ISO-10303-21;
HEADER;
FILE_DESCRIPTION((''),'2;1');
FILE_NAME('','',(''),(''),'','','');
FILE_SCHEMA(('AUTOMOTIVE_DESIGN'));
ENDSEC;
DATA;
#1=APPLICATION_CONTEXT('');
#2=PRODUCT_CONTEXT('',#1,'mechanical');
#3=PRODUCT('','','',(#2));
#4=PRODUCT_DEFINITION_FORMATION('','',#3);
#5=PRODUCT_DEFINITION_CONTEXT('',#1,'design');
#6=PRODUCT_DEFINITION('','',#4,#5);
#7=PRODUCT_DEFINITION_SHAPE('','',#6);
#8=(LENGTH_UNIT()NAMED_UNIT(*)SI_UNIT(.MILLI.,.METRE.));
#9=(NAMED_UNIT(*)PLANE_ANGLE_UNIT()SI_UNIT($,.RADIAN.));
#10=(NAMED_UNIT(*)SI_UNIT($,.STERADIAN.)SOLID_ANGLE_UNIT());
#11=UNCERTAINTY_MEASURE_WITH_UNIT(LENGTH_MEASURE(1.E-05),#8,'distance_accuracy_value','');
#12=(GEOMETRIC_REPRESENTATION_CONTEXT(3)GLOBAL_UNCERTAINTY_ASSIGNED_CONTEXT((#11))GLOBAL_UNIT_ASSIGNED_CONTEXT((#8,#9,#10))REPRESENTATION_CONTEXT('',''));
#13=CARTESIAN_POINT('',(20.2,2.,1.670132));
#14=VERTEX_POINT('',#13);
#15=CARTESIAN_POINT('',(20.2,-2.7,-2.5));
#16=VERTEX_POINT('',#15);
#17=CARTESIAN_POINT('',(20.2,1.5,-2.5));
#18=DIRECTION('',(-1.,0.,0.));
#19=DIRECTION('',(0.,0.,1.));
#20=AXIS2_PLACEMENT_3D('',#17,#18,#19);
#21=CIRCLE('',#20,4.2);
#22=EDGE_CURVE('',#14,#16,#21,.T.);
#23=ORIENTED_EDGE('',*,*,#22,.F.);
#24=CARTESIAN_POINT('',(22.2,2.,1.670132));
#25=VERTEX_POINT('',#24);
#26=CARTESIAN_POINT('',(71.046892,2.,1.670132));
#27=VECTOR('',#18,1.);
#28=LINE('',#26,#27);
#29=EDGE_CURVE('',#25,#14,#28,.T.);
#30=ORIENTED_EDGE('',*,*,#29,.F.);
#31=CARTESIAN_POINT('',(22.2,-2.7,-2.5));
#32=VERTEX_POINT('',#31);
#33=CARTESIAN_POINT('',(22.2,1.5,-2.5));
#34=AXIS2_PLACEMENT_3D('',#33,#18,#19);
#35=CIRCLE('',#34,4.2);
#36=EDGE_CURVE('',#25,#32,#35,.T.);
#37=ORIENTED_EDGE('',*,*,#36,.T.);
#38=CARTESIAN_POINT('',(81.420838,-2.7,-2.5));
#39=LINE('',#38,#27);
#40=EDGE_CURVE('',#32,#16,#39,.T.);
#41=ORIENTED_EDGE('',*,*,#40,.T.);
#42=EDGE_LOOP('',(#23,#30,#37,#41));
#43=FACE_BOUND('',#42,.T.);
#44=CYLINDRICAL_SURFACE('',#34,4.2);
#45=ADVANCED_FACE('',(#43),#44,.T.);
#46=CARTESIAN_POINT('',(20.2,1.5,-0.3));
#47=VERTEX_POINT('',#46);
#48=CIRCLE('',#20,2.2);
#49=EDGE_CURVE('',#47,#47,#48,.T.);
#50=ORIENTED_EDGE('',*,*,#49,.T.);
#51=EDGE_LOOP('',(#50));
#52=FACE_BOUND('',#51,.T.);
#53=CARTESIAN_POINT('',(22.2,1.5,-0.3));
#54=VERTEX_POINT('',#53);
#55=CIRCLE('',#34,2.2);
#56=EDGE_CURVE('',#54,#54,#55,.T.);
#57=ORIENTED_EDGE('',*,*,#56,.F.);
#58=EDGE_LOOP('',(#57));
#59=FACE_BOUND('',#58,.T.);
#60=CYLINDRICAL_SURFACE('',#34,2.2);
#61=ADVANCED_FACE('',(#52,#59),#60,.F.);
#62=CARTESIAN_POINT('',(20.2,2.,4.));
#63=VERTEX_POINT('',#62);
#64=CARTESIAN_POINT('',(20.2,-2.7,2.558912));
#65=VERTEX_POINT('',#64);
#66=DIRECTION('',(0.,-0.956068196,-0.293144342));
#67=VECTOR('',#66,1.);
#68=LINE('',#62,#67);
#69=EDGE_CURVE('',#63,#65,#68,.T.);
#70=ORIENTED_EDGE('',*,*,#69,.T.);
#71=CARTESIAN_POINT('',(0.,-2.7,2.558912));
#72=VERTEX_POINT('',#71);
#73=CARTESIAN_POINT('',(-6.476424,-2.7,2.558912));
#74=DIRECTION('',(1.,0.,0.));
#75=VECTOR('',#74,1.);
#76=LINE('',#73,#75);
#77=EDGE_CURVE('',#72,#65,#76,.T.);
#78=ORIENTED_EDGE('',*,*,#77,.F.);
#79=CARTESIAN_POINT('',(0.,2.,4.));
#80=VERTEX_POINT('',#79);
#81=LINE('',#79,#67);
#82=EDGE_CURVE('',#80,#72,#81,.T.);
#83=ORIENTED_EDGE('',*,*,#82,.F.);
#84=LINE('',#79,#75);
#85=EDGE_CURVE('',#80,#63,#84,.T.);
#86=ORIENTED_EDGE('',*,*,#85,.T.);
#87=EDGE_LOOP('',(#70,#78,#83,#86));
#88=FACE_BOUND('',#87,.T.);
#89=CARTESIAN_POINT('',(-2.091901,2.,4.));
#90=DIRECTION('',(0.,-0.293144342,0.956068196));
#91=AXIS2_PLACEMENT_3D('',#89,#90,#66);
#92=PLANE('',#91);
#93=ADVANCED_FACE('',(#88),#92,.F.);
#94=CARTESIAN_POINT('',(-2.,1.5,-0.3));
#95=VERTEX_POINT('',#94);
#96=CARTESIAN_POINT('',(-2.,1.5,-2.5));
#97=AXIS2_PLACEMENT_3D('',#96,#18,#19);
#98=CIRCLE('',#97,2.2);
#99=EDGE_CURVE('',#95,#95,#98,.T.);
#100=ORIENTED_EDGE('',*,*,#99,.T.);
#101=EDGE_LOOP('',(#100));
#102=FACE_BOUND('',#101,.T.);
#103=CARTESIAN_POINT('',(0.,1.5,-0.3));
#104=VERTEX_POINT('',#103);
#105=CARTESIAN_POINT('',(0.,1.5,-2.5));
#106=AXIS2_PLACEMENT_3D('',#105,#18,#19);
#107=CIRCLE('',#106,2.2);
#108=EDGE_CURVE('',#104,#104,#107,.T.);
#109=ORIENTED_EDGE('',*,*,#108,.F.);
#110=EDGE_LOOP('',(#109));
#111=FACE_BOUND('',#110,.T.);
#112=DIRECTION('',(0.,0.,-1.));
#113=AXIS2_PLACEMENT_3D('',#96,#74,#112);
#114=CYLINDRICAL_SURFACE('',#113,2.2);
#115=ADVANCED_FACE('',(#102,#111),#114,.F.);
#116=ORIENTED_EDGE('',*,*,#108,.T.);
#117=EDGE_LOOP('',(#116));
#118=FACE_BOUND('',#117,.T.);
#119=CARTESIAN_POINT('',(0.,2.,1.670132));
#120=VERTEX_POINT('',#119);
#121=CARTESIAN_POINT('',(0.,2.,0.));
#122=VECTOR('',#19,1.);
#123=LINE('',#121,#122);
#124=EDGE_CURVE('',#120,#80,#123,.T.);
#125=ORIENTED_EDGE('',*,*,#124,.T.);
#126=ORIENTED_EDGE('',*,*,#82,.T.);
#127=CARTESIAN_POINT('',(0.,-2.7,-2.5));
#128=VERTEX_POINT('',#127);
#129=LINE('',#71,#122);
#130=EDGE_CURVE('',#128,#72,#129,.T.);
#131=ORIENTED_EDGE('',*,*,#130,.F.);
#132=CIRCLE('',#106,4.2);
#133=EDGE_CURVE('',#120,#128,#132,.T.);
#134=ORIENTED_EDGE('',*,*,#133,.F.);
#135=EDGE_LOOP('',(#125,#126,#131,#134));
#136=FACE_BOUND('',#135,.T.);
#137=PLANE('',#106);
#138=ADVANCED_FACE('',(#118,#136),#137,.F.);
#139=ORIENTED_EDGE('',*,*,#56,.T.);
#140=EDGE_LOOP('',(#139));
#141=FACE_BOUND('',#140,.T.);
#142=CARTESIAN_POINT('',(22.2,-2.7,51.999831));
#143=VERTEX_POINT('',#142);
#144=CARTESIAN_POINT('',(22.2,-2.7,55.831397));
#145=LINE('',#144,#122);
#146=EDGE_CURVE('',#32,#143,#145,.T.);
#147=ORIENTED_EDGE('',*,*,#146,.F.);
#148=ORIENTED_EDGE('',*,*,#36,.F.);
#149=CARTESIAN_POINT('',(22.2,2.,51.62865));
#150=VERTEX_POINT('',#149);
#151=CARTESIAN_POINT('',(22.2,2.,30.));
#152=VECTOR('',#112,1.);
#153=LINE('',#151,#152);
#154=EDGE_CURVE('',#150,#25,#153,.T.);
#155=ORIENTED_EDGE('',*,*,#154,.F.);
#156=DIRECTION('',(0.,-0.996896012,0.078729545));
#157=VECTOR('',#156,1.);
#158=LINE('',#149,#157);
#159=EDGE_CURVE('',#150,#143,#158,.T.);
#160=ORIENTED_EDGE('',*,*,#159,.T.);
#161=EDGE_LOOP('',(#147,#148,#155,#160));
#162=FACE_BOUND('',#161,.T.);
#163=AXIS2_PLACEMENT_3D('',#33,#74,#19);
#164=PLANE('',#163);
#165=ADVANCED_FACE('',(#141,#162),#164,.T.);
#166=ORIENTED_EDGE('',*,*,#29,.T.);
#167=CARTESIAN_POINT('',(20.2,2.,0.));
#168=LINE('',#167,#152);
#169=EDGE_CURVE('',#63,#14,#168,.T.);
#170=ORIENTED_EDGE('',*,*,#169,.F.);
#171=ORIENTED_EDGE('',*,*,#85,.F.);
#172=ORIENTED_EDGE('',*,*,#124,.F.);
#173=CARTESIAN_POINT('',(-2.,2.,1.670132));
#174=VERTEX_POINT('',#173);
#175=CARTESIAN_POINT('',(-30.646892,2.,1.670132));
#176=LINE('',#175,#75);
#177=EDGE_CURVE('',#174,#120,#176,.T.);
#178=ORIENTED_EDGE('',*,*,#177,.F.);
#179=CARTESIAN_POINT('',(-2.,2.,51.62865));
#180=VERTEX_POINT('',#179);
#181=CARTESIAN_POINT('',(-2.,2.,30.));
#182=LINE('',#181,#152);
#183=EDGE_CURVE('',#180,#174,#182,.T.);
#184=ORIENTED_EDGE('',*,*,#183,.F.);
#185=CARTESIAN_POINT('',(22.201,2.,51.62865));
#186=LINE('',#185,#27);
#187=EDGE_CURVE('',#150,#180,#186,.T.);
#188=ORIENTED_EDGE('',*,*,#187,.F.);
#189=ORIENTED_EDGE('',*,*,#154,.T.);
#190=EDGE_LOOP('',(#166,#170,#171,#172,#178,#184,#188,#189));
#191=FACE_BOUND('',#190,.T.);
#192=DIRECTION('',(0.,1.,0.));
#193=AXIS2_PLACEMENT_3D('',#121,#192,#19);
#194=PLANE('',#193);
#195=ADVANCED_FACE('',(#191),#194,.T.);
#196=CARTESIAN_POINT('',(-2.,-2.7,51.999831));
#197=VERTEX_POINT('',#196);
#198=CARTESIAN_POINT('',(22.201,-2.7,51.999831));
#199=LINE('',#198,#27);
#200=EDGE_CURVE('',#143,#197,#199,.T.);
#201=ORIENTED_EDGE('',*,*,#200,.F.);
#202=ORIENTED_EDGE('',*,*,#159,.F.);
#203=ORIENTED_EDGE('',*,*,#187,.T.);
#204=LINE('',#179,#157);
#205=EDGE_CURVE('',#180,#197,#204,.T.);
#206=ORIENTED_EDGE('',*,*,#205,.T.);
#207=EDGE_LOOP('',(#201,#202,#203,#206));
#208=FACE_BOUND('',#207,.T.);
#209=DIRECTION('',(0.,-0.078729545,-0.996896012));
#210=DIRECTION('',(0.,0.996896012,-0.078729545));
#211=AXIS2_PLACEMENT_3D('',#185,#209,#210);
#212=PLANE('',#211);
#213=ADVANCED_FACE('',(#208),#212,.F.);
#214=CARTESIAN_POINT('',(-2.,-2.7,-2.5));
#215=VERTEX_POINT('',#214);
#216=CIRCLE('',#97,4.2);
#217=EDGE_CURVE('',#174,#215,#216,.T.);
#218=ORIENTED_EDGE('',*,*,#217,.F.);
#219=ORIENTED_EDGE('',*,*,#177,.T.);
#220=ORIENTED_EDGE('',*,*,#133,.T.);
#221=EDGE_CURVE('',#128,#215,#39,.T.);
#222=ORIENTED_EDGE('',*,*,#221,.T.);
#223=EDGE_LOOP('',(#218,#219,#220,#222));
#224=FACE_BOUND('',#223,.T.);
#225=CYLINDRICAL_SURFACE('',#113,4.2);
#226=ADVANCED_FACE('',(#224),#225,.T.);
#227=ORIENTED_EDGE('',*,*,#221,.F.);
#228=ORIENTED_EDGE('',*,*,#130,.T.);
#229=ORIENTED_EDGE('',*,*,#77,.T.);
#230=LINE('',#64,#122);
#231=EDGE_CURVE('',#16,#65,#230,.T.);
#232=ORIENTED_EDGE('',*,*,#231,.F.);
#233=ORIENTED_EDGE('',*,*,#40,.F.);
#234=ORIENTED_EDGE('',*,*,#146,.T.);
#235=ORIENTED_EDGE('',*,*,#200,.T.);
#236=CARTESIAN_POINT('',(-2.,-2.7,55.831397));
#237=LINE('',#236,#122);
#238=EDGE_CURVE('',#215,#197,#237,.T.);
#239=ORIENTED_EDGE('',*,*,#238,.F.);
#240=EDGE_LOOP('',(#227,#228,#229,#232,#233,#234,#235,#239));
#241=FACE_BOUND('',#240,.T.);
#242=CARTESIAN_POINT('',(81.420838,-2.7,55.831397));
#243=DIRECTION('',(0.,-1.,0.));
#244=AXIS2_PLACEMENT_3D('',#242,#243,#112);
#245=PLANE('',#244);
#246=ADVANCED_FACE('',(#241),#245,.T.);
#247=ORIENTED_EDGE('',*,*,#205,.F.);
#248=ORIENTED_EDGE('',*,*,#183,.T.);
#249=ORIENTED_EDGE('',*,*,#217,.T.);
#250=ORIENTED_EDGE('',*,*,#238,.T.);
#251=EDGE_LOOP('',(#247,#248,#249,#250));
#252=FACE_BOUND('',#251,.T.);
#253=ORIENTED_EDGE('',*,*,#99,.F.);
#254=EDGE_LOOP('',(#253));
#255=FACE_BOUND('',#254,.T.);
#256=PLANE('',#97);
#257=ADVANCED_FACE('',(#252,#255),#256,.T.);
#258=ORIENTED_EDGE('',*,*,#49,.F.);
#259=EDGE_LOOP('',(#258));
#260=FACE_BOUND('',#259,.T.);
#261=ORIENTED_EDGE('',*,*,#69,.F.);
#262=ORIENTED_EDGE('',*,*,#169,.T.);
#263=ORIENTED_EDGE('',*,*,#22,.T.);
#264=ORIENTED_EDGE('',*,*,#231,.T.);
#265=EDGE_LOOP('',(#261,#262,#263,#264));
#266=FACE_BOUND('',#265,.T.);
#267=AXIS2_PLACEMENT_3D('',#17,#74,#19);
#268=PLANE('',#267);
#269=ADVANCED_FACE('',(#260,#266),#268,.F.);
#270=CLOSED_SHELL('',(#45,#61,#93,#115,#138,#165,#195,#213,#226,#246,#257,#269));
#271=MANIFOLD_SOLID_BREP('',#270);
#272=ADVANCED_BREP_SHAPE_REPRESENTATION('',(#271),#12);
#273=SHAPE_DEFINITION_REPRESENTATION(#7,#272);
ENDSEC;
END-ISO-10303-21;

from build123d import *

# Parameters (mm, degrees)
SKETCH_1_W          = 20.2
SKETCH_1_H          = 30
EXTRUDE_1_DEPTH     = 2
SKETCH_2_R          = 4.2
SKETCH_2_R_2        = 2.2
EXTRUDE_2_DEPTH     = 2
EXTRUDE_3_DEPTH     = 2
CUT_EXTRUDE_1_REACH = 39.616
SKETCH_4_W          = 20.2
SKETCH_4_H          = 4
EXTRUDE_4_DEPTH     = 24.2
EXTRUDE_5_DEPTH     = 20.2
EXTRUDE_6_REACH     = 64.436
CUT_EXTRUDE_2_DEPTH = 20.2
CUT_EXTRUDE_3_REACH = 64.436


with BuildPart() as part:
    # 草图1 → 凸台-拉伸1 (new body)
    with BuildSketch(Plane(origin=(0, 0, 0), x_dir=(1, 0, 0), z_dir=(0, 1, 0))):
        with Locations((10.1, -15)):
            Rectangle(SKETCH_1_W, SKETCH_1_H)
    extrude(amount=EXTRUDE_1_DEPTH)

    # 草图2 → 凸台-拉伸2 (add)
    with BuildSketch(Plane.ZY):
        with Locations(Location((-2.5, 1.5, 0), (0, 0, 339.075167572))):
            Circle(SKETCH_2_R)
        with Locations((-2.5, 1.5)):
            Circle(SKETCH_2_R_2, mode=Mode.SUBTRACT)
    extrude_2 = extrude(amount=EXTRUDE_2_DEPTH)

    # 草图3 → 凸台-拉伸3 (add)
    with BuildSketch(Plane.ZY):
        with BuildLine():
            Line((1.423009049, 0), (30, 0))
            Line((30, 0), (30, 2))
            Line((30, 2), (1.670131892, 2))
            ThreePointArc((1.670131892, 2), (1.668300922, 0.984958812), (1.423009049, 0))
        make_face()
    extrude_3 = extrude(amount=EXTRUDE_3_DEPTH)

    # 镜向1: 凸台-拉伸2, 凸台-拉伸3 across plane
    add(extrude_2.mirror(Plane(origin=(10.1, 0, 0), x_dir=(0, 0, 1), z_dir=(1, 0, 0))))
    add(extrude_3.mirror(Plane(origin=(10.1, 0, 0), x_dir=(0, 0, 1), z_dir=(1, 0, 0))))

    # 草图4 → 切除-拉伸1 (cut, up to next)
    with BuildSketch(Plane(origin=(0, 2, 0), x_dir=(1, 0, 0), z_dir=(0, 1, 0)), mode=Mode.PRIVATE) as cut_extrude_1_sk1:
        with Locations((10.1, -2)):
            Rectangle(SKETCH_4_W, SKETCH_4_H)
    cut_extrude_1_tool1 = extrude(cut_extrude_1_sk1.sketch, amount=-CUT_EXTRUDE_1_REACH, mode=Mode.PRIVATE) & part.part
    add(cut_extrude_1_tool1.solids().sort_by_distance((10.1, 2, 2))[0], mode=Mode.SUBTRACT)

    # 草图7 → 凸台-拉伸4 (add)
    with BuildSketch(Plane.ZY.offset(2)):
        Polygon((30, 0), (56.65925637, 0), (57.272485309, 2), (30, 2), align=None)
    extrude(amount=-EXTRUDE_4_DEPTH)

    # 草图8 → 凸台-拉伸5 (add)
    with BuildSketch(Plane.ZY.offset(-20.2)):
        Polygon((4, 2), (3.386771061, 0), (4, 0), align=None)
    extrude(amount=EXTRUDE_5_DEPTH)

    # 凸台-拉伸6: up to this face of the body (flat: up to its plane)
    extrude_6_end = Plane(part.part.faces().sort_by_distance((22.2, 1.134069843, 20.823377478))[0])
    # 草图10 → 凸台-拉伸6 (add, up to the picked face)
    with BuildSketch(Plane.ZY.offset(2), mode=Mode.PRIVATE) as extrude_6_sk1:
        with BuildLine():
            Line((56.65925637, 0), (55.831397303, -2.7))
            Line((55.831397303, -2.7), (-2.5, -2.7))
            ThreePointArc((-2.5, -2.7), (-0.11882382, -1.959768778), (1.423009049, 0))
            Line((1.423009049, 0), (56.65925637, 0))
        make_face()
    extrude_6_tool1 = split(extrude(extrude_6_sk1.sketch, amount=-EXTRUDE_6_REACH, mode=Mode.PRIVATE), bisect_by=extrude_6_end, keep=Keep.BOTH, mode=Mode.PRIVATE)
    add(extrude_6_tool1.solids().sort_by(Axis((-2, -1.358557, 28.290322), (1, 0, 0)))[0])

    # 草图11 → 切除-拉伸2 (cut)
    with BuildSketch(Plane.ZY.offset(-20.2)):
        Polygon((3.386771061, 0), (2.558911994, -2.7), (-2.5, -2.7), (1.423009049, 0), align=None)
    extrude(amount=CUT_EXTRUDE_2_DEPTH, mode=Mode.SUBTRACT)

    # 草图15 → 切除-拉伸3 (cut, up to next)
    with BuildSketch(Plane.ZY.offset(2), mode=Mode.PRIVATE) as cut_extrude_3_sk1:
        Polygon((51.628649906, 2), (51.999830908, -2.7), (55.831397303, -2.7), (57.272485309, 2), align=None)
    cut_extrude_3_tool1 = extrude(cut_extrude_3_sk1.sketch, amount=-CUT_EXTRUDE_3_REACH, mode=Mode.PRIVATE) & part.part
    add(cut_extrude_3_tool1.solids().sort_by_distance((-2, -0.200179, 54.200143))[0], mode=Mode.SUBTRACT)


solid = part.part
